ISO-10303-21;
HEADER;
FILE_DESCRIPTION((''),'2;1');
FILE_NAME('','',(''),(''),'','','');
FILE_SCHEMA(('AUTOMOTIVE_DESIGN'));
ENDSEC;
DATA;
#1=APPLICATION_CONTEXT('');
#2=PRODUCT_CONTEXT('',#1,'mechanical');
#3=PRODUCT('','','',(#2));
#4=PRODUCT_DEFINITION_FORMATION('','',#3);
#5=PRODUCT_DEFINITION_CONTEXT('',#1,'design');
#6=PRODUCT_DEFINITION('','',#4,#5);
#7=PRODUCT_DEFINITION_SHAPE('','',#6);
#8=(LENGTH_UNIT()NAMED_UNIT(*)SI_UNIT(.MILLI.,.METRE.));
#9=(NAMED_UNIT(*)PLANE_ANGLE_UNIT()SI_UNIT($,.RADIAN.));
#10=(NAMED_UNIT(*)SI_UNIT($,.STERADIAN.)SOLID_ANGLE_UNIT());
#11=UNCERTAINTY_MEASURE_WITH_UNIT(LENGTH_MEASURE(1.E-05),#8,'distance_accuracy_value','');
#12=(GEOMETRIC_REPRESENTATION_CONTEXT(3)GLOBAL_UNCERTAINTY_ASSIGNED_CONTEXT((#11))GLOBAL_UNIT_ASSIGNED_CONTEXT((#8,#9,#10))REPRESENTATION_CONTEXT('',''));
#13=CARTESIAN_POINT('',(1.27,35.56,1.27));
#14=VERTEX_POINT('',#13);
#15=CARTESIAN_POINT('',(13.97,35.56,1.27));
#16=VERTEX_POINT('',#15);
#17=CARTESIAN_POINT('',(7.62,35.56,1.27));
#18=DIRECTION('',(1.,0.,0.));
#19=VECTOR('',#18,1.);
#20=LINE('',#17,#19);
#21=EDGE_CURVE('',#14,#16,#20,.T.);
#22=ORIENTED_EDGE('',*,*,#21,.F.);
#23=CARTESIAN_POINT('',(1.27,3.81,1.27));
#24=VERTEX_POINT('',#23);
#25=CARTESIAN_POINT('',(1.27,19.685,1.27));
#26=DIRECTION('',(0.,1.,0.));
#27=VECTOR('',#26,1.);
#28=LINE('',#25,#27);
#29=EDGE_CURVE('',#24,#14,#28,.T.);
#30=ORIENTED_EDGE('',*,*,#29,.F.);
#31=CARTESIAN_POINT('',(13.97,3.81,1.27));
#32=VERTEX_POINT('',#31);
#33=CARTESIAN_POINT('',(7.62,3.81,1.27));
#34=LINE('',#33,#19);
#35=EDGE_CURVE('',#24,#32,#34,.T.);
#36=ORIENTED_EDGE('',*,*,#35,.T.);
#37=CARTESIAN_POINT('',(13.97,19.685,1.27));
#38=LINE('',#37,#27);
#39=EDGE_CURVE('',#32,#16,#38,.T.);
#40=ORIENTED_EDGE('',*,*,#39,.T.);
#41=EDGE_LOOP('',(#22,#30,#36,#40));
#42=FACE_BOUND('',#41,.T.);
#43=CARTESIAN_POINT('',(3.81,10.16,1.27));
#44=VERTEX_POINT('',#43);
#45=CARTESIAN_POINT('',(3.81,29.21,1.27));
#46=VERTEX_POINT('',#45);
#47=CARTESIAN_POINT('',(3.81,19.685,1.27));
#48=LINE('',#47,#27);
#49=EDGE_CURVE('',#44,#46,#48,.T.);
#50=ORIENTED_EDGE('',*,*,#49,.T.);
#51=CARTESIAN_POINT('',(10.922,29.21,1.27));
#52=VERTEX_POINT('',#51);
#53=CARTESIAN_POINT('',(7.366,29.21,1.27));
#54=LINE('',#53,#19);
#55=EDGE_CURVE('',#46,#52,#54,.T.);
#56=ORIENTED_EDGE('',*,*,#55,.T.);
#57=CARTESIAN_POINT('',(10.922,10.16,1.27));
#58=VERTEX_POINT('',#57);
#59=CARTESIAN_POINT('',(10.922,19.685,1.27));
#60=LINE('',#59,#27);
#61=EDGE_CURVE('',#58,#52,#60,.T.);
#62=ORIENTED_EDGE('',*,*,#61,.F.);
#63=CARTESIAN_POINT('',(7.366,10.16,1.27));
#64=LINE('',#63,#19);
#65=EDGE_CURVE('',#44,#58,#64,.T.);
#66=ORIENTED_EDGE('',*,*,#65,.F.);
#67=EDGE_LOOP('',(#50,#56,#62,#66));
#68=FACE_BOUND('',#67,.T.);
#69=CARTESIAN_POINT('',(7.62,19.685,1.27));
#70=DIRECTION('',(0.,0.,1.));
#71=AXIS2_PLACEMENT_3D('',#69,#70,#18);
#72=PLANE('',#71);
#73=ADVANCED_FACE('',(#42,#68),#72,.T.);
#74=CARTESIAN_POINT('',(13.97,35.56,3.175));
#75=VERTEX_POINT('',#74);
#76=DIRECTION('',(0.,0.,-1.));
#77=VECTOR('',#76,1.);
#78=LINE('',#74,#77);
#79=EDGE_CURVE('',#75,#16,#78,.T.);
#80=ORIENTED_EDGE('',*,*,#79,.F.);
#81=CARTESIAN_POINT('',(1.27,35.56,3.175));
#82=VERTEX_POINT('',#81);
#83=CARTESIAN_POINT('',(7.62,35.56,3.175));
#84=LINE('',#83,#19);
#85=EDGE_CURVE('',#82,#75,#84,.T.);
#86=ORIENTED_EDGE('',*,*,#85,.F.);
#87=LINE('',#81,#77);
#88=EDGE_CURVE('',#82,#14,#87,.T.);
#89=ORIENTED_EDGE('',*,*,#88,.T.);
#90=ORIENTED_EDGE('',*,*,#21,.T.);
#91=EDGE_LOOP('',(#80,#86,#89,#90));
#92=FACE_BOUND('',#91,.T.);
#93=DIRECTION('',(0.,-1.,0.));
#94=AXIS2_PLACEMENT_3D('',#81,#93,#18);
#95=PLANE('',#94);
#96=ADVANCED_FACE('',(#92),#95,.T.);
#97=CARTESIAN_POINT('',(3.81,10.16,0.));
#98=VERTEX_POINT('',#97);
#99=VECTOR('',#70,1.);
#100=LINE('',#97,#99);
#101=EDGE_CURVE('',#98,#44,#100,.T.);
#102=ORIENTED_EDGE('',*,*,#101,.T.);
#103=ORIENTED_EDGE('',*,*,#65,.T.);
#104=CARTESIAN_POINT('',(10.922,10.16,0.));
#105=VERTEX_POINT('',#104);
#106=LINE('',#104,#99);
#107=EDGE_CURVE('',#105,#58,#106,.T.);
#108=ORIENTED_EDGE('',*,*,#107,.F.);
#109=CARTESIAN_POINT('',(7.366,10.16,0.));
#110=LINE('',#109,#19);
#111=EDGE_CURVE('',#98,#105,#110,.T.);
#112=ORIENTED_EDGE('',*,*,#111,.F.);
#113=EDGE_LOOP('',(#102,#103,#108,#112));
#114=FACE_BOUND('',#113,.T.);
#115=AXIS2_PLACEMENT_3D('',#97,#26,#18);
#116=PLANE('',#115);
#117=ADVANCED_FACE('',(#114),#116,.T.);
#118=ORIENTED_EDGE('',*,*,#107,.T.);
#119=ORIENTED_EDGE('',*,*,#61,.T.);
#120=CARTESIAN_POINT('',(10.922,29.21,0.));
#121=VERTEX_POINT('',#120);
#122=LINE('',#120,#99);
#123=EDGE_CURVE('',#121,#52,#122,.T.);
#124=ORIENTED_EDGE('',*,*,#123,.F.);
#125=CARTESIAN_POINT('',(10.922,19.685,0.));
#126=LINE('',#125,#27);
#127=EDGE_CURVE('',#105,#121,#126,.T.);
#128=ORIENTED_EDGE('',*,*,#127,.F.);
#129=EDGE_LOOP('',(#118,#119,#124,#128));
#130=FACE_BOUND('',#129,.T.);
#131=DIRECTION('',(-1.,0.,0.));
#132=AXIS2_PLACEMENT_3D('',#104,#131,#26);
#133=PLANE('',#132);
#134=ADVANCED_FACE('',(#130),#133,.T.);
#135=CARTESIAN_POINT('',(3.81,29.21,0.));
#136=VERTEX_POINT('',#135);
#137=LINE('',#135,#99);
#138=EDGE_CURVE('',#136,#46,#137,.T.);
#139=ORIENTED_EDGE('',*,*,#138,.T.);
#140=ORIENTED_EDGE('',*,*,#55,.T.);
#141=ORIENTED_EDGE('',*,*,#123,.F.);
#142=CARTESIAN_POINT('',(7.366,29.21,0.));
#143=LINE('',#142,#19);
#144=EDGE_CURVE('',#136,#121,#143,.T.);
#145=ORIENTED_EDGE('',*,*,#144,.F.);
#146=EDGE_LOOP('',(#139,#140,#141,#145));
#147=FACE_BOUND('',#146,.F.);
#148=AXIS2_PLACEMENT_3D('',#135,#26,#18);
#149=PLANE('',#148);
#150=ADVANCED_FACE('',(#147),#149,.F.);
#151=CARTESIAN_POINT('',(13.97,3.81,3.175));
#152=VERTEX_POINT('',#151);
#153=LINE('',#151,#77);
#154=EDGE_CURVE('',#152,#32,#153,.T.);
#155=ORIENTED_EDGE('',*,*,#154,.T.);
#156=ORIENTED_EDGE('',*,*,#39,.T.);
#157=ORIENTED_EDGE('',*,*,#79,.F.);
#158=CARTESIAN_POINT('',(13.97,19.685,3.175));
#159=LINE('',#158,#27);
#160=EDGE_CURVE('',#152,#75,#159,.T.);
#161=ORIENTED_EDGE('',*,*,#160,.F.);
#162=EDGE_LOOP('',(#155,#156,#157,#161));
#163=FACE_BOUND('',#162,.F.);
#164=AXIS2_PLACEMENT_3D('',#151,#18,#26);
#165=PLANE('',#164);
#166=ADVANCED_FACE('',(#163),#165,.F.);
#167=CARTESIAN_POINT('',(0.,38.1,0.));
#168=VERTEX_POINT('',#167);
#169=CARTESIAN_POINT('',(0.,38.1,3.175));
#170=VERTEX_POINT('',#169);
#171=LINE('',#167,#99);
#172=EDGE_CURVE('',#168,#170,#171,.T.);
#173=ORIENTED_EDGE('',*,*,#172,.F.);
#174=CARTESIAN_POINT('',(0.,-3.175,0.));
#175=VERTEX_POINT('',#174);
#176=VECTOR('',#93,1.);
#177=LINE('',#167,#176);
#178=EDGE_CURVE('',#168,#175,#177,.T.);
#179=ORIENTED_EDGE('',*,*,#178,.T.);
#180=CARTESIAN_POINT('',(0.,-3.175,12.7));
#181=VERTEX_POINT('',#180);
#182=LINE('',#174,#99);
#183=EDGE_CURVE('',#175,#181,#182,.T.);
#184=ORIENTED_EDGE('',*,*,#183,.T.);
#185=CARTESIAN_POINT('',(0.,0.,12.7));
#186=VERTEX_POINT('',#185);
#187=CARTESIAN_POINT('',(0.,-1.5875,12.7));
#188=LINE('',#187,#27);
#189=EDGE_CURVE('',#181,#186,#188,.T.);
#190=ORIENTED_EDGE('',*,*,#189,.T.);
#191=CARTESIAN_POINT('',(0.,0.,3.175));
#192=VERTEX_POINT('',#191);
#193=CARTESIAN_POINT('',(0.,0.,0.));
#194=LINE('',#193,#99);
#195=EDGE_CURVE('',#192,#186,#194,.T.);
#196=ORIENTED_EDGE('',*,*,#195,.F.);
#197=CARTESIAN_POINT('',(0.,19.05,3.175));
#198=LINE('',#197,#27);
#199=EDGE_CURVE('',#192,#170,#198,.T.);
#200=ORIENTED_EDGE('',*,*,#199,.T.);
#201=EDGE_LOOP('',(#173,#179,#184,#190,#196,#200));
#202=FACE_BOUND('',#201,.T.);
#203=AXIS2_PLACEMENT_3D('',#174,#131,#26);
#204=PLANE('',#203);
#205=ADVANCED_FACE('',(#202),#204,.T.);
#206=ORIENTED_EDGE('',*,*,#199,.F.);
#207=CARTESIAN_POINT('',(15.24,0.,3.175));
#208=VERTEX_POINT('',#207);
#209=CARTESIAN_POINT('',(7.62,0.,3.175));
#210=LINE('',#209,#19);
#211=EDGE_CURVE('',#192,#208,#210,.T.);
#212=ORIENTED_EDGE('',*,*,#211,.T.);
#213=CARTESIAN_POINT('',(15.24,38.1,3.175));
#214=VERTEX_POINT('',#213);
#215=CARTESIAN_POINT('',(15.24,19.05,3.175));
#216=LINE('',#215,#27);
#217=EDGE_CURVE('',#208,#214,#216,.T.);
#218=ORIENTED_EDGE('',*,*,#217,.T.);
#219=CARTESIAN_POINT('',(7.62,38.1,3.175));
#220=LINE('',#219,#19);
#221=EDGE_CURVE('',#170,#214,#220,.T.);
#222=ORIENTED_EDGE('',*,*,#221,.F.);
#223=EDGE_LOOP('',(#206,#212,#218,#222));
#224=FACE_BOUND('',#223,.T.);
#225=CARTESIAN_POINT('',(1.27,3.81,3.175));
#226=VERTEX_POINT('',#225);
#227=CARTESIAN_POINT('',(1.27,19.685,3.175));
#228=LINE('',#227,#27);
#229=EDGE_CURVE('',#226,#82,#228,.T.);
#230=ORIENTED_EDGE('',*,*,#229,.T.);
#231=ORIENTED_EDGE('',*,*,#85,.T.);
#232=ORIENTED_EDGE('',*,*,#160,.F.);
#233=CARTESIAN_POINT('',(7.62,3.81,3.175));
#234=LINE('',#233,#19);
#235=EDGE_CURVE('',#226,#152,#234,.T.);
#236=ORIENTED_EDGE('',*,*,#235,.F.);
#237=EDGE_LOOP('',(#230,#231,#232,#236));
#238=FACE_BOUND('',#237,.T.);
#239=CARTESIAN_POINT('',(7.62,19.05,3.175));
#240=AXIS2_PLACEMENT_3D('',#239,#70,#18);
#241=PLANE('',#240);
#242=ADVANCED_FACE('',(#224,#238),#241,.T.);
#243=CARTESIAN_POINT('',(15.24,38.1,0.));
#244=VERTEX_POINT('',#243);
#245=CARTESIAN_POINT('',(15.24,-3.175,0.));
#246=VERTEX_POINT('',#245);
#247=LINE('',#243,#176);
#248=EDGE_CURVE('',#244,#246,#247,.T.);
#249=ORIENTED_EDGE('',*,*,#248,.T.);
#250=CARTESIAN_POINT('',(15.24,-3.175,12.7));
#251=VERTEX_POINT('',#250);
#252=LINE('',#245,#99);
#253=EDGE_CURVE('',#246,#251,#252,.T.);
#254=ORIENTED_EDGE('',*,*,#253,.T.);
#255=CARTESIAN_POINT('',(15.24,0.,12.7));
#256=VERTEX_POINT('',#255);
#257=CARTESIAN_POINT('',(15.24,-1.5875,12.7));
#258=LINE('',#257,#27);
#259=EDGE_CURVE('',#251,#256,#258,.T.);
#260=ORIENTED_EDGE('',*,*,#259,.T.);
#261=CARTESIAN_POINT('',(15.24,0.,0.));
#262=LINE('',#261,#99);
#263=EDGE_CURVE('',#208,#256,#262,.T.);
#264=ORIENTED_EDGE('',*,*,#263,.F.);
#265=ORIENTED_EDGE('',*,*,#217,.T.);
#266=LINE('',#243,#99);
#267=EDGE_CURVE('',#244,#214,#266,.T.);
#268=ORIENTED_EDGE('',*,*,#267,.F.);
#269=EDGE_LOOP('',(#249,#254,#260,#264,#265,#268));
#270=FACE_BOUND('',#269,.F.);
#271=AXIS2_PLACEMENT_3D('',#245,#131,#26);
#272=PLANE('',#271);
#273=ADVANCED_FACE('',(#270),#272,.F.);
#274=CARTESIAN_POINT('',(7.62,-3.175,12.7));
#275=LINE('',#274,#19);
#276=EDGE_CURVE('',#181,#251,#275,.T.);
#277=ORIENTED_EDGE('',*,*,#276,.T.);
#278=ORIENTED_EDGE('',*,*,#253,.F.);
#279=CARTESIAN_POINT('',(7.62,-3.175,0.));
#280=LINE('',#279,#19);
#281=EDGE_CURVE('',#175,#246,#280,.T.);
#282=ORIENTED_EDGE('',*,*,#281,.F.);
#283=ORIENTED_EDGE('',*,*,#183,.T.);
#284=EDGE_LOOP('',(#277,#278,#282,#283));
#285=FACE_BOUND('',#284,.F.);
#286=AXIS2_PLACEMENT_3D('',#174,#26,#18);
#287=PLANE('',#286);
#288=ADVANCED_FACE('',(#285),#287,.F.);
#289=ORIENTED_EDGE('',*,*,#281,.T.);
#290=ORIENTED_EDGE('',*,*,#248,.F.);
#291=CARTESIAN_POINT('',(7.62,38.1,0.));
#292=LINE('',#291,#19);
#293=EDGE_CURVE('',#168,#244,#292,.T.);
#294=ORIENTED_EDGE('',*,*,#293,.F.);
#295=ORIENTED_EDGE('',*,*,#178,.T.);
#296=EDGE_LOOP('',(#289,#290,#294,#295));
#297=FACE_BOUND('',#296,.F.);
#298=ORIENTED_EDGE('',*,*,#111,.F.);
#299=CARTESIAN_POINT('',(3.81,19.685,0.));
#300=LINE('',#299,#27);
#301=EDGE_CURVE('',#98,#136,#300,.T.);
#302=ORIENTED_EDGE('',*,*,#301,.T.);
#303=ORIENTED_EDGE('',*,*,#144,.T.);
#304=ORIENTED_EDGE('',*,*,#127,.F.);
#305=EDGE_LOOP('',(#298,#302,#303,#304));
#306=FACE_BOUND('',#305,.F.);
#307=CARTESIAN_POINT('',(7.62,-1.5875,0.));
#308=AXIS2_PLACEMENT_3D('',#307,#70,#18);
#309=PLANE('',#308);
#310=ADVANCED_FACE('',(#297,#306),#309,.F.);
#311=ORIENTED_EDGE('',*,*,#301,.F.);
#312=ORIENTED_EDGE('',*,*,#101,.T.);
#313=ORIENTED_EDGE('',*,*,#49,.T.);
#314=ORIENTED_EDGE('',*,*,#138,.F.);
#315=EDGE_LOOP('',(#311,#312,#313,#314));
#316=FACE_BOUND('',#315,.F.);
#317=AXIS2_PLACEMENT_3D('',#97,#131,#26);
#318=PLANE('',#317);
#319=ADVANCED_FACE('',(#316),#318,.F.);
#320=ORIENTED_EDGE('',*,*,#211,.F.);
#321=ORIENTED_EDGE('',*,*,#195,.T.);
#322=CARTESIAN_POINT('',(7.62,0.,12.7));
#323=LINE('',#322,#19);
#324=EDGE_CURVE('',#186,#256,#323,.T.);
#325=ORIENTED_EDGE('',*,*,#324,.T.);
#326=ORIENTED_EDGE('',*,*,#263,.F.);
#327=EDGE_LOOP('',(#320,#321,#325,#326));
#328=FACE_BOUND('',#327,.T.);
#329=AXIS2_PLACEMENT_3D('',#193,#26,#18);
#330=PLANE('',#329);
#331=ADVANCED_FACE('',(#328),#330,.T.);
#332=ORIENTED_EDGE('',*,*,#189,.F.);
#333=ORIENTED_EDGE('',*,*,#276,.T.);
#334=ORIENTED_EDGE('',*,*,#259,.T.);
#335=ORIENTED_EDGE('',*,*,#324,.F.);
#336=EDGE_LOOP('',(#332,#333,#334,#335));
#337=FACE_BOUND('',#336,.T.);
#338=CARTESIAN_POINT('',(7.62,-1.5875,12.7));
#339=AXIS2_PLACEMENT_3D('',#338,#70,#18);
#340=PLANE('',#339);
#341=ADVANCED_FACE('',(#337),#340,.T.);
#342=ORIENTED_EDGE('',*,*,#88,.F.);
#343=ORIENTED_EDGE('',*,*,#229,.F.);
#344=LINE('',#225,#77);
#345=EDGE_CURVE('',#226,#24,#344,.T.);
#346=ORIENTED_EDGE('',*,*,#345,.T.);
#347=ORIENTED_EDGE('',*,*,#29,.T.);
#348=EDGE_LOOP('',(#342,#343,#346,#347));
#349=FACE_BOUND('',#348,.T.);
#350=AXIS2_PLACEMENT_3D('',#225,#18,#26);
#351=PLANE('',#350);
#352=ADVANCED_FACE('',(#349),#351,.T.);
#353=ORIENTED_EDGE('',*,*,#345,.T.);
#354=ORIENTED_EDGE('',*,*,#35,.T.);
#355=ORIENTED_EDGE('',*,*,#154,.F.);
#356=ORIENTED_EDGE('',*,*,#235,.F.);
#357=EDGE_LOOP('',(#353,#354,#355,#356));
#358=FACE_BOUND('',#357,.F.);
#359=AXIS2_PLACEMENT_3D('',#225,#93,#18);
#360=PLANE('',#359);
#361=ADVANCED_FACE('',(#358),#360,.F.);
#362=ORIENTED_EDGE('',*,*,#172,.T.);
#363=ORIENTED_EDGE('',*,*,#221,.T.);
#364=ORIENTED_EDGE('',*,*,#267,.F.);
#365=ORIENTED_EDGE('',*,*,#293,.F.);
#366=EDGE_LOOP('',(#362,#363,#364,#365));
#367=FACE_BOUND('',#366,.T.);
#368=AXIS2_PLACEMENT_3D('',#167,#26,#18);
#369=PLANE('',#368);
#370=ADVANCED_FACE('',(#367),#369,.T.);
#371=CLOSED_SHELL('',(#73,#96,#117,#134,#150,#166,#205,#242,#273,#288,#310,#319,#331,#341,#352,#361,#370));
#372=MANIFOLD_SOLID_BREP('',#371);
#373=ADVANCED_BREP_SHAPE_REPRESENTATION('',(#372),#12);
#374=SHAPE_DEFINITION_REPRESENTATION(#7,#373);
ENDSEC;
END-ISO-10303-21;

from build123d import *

# Parameters (mm, degrees)
F0_W     = 15.24
F0_H     = 38.1
F0_W_2   = 7.112
F0_H_2   = 19.05
F1_DEPTH = 3.175
F2_W     = 12.7
F2_H     = 31.75
F2_W_2   = 7.112
F2_H_2   = 19.05
F3_DEPTH = 1.905
F0_H_3   = 3.175
F4_DEPTH = 12.7


with BuildPart() as f1:
    # F0 (on Top) → F1 (new body)
    with BuildSketch(Plane.XY):
        with Locations((7.62, 19.05)):
            Rectangle(F0_W, F0_H)
        with Locations((7.366, 19.685)):
            Rectangle(F0_W_2, F0_H_2, mode=Mode.SUBTRACT)
    extrude(amount=F1_DEPTH)

    # F2 (on face) → F3 (cut)
    with BuildSketch(Plane.XY.offset(3.175)):
        with Locations((7.62, 19.685)):
            Rectangle(F2_W, F2_H)
        with Locations((7.366, 19.685)):
            Rectangle(F2_W_2, F2_H_2, mode=Mode.SUBTRACT)
    extrude(amount=-F3_DEPTH, mode=Mode.SUBTRACT)

    # F0 (on Top) → F4 (join)
    with BuildSketch(Plane.XY):
        with Locations((7.62, -1.5875)):
            Rectangle(F0_W, F0_H_3)
    extrude(amount=F4_DEPTH)


solid = f1.part
